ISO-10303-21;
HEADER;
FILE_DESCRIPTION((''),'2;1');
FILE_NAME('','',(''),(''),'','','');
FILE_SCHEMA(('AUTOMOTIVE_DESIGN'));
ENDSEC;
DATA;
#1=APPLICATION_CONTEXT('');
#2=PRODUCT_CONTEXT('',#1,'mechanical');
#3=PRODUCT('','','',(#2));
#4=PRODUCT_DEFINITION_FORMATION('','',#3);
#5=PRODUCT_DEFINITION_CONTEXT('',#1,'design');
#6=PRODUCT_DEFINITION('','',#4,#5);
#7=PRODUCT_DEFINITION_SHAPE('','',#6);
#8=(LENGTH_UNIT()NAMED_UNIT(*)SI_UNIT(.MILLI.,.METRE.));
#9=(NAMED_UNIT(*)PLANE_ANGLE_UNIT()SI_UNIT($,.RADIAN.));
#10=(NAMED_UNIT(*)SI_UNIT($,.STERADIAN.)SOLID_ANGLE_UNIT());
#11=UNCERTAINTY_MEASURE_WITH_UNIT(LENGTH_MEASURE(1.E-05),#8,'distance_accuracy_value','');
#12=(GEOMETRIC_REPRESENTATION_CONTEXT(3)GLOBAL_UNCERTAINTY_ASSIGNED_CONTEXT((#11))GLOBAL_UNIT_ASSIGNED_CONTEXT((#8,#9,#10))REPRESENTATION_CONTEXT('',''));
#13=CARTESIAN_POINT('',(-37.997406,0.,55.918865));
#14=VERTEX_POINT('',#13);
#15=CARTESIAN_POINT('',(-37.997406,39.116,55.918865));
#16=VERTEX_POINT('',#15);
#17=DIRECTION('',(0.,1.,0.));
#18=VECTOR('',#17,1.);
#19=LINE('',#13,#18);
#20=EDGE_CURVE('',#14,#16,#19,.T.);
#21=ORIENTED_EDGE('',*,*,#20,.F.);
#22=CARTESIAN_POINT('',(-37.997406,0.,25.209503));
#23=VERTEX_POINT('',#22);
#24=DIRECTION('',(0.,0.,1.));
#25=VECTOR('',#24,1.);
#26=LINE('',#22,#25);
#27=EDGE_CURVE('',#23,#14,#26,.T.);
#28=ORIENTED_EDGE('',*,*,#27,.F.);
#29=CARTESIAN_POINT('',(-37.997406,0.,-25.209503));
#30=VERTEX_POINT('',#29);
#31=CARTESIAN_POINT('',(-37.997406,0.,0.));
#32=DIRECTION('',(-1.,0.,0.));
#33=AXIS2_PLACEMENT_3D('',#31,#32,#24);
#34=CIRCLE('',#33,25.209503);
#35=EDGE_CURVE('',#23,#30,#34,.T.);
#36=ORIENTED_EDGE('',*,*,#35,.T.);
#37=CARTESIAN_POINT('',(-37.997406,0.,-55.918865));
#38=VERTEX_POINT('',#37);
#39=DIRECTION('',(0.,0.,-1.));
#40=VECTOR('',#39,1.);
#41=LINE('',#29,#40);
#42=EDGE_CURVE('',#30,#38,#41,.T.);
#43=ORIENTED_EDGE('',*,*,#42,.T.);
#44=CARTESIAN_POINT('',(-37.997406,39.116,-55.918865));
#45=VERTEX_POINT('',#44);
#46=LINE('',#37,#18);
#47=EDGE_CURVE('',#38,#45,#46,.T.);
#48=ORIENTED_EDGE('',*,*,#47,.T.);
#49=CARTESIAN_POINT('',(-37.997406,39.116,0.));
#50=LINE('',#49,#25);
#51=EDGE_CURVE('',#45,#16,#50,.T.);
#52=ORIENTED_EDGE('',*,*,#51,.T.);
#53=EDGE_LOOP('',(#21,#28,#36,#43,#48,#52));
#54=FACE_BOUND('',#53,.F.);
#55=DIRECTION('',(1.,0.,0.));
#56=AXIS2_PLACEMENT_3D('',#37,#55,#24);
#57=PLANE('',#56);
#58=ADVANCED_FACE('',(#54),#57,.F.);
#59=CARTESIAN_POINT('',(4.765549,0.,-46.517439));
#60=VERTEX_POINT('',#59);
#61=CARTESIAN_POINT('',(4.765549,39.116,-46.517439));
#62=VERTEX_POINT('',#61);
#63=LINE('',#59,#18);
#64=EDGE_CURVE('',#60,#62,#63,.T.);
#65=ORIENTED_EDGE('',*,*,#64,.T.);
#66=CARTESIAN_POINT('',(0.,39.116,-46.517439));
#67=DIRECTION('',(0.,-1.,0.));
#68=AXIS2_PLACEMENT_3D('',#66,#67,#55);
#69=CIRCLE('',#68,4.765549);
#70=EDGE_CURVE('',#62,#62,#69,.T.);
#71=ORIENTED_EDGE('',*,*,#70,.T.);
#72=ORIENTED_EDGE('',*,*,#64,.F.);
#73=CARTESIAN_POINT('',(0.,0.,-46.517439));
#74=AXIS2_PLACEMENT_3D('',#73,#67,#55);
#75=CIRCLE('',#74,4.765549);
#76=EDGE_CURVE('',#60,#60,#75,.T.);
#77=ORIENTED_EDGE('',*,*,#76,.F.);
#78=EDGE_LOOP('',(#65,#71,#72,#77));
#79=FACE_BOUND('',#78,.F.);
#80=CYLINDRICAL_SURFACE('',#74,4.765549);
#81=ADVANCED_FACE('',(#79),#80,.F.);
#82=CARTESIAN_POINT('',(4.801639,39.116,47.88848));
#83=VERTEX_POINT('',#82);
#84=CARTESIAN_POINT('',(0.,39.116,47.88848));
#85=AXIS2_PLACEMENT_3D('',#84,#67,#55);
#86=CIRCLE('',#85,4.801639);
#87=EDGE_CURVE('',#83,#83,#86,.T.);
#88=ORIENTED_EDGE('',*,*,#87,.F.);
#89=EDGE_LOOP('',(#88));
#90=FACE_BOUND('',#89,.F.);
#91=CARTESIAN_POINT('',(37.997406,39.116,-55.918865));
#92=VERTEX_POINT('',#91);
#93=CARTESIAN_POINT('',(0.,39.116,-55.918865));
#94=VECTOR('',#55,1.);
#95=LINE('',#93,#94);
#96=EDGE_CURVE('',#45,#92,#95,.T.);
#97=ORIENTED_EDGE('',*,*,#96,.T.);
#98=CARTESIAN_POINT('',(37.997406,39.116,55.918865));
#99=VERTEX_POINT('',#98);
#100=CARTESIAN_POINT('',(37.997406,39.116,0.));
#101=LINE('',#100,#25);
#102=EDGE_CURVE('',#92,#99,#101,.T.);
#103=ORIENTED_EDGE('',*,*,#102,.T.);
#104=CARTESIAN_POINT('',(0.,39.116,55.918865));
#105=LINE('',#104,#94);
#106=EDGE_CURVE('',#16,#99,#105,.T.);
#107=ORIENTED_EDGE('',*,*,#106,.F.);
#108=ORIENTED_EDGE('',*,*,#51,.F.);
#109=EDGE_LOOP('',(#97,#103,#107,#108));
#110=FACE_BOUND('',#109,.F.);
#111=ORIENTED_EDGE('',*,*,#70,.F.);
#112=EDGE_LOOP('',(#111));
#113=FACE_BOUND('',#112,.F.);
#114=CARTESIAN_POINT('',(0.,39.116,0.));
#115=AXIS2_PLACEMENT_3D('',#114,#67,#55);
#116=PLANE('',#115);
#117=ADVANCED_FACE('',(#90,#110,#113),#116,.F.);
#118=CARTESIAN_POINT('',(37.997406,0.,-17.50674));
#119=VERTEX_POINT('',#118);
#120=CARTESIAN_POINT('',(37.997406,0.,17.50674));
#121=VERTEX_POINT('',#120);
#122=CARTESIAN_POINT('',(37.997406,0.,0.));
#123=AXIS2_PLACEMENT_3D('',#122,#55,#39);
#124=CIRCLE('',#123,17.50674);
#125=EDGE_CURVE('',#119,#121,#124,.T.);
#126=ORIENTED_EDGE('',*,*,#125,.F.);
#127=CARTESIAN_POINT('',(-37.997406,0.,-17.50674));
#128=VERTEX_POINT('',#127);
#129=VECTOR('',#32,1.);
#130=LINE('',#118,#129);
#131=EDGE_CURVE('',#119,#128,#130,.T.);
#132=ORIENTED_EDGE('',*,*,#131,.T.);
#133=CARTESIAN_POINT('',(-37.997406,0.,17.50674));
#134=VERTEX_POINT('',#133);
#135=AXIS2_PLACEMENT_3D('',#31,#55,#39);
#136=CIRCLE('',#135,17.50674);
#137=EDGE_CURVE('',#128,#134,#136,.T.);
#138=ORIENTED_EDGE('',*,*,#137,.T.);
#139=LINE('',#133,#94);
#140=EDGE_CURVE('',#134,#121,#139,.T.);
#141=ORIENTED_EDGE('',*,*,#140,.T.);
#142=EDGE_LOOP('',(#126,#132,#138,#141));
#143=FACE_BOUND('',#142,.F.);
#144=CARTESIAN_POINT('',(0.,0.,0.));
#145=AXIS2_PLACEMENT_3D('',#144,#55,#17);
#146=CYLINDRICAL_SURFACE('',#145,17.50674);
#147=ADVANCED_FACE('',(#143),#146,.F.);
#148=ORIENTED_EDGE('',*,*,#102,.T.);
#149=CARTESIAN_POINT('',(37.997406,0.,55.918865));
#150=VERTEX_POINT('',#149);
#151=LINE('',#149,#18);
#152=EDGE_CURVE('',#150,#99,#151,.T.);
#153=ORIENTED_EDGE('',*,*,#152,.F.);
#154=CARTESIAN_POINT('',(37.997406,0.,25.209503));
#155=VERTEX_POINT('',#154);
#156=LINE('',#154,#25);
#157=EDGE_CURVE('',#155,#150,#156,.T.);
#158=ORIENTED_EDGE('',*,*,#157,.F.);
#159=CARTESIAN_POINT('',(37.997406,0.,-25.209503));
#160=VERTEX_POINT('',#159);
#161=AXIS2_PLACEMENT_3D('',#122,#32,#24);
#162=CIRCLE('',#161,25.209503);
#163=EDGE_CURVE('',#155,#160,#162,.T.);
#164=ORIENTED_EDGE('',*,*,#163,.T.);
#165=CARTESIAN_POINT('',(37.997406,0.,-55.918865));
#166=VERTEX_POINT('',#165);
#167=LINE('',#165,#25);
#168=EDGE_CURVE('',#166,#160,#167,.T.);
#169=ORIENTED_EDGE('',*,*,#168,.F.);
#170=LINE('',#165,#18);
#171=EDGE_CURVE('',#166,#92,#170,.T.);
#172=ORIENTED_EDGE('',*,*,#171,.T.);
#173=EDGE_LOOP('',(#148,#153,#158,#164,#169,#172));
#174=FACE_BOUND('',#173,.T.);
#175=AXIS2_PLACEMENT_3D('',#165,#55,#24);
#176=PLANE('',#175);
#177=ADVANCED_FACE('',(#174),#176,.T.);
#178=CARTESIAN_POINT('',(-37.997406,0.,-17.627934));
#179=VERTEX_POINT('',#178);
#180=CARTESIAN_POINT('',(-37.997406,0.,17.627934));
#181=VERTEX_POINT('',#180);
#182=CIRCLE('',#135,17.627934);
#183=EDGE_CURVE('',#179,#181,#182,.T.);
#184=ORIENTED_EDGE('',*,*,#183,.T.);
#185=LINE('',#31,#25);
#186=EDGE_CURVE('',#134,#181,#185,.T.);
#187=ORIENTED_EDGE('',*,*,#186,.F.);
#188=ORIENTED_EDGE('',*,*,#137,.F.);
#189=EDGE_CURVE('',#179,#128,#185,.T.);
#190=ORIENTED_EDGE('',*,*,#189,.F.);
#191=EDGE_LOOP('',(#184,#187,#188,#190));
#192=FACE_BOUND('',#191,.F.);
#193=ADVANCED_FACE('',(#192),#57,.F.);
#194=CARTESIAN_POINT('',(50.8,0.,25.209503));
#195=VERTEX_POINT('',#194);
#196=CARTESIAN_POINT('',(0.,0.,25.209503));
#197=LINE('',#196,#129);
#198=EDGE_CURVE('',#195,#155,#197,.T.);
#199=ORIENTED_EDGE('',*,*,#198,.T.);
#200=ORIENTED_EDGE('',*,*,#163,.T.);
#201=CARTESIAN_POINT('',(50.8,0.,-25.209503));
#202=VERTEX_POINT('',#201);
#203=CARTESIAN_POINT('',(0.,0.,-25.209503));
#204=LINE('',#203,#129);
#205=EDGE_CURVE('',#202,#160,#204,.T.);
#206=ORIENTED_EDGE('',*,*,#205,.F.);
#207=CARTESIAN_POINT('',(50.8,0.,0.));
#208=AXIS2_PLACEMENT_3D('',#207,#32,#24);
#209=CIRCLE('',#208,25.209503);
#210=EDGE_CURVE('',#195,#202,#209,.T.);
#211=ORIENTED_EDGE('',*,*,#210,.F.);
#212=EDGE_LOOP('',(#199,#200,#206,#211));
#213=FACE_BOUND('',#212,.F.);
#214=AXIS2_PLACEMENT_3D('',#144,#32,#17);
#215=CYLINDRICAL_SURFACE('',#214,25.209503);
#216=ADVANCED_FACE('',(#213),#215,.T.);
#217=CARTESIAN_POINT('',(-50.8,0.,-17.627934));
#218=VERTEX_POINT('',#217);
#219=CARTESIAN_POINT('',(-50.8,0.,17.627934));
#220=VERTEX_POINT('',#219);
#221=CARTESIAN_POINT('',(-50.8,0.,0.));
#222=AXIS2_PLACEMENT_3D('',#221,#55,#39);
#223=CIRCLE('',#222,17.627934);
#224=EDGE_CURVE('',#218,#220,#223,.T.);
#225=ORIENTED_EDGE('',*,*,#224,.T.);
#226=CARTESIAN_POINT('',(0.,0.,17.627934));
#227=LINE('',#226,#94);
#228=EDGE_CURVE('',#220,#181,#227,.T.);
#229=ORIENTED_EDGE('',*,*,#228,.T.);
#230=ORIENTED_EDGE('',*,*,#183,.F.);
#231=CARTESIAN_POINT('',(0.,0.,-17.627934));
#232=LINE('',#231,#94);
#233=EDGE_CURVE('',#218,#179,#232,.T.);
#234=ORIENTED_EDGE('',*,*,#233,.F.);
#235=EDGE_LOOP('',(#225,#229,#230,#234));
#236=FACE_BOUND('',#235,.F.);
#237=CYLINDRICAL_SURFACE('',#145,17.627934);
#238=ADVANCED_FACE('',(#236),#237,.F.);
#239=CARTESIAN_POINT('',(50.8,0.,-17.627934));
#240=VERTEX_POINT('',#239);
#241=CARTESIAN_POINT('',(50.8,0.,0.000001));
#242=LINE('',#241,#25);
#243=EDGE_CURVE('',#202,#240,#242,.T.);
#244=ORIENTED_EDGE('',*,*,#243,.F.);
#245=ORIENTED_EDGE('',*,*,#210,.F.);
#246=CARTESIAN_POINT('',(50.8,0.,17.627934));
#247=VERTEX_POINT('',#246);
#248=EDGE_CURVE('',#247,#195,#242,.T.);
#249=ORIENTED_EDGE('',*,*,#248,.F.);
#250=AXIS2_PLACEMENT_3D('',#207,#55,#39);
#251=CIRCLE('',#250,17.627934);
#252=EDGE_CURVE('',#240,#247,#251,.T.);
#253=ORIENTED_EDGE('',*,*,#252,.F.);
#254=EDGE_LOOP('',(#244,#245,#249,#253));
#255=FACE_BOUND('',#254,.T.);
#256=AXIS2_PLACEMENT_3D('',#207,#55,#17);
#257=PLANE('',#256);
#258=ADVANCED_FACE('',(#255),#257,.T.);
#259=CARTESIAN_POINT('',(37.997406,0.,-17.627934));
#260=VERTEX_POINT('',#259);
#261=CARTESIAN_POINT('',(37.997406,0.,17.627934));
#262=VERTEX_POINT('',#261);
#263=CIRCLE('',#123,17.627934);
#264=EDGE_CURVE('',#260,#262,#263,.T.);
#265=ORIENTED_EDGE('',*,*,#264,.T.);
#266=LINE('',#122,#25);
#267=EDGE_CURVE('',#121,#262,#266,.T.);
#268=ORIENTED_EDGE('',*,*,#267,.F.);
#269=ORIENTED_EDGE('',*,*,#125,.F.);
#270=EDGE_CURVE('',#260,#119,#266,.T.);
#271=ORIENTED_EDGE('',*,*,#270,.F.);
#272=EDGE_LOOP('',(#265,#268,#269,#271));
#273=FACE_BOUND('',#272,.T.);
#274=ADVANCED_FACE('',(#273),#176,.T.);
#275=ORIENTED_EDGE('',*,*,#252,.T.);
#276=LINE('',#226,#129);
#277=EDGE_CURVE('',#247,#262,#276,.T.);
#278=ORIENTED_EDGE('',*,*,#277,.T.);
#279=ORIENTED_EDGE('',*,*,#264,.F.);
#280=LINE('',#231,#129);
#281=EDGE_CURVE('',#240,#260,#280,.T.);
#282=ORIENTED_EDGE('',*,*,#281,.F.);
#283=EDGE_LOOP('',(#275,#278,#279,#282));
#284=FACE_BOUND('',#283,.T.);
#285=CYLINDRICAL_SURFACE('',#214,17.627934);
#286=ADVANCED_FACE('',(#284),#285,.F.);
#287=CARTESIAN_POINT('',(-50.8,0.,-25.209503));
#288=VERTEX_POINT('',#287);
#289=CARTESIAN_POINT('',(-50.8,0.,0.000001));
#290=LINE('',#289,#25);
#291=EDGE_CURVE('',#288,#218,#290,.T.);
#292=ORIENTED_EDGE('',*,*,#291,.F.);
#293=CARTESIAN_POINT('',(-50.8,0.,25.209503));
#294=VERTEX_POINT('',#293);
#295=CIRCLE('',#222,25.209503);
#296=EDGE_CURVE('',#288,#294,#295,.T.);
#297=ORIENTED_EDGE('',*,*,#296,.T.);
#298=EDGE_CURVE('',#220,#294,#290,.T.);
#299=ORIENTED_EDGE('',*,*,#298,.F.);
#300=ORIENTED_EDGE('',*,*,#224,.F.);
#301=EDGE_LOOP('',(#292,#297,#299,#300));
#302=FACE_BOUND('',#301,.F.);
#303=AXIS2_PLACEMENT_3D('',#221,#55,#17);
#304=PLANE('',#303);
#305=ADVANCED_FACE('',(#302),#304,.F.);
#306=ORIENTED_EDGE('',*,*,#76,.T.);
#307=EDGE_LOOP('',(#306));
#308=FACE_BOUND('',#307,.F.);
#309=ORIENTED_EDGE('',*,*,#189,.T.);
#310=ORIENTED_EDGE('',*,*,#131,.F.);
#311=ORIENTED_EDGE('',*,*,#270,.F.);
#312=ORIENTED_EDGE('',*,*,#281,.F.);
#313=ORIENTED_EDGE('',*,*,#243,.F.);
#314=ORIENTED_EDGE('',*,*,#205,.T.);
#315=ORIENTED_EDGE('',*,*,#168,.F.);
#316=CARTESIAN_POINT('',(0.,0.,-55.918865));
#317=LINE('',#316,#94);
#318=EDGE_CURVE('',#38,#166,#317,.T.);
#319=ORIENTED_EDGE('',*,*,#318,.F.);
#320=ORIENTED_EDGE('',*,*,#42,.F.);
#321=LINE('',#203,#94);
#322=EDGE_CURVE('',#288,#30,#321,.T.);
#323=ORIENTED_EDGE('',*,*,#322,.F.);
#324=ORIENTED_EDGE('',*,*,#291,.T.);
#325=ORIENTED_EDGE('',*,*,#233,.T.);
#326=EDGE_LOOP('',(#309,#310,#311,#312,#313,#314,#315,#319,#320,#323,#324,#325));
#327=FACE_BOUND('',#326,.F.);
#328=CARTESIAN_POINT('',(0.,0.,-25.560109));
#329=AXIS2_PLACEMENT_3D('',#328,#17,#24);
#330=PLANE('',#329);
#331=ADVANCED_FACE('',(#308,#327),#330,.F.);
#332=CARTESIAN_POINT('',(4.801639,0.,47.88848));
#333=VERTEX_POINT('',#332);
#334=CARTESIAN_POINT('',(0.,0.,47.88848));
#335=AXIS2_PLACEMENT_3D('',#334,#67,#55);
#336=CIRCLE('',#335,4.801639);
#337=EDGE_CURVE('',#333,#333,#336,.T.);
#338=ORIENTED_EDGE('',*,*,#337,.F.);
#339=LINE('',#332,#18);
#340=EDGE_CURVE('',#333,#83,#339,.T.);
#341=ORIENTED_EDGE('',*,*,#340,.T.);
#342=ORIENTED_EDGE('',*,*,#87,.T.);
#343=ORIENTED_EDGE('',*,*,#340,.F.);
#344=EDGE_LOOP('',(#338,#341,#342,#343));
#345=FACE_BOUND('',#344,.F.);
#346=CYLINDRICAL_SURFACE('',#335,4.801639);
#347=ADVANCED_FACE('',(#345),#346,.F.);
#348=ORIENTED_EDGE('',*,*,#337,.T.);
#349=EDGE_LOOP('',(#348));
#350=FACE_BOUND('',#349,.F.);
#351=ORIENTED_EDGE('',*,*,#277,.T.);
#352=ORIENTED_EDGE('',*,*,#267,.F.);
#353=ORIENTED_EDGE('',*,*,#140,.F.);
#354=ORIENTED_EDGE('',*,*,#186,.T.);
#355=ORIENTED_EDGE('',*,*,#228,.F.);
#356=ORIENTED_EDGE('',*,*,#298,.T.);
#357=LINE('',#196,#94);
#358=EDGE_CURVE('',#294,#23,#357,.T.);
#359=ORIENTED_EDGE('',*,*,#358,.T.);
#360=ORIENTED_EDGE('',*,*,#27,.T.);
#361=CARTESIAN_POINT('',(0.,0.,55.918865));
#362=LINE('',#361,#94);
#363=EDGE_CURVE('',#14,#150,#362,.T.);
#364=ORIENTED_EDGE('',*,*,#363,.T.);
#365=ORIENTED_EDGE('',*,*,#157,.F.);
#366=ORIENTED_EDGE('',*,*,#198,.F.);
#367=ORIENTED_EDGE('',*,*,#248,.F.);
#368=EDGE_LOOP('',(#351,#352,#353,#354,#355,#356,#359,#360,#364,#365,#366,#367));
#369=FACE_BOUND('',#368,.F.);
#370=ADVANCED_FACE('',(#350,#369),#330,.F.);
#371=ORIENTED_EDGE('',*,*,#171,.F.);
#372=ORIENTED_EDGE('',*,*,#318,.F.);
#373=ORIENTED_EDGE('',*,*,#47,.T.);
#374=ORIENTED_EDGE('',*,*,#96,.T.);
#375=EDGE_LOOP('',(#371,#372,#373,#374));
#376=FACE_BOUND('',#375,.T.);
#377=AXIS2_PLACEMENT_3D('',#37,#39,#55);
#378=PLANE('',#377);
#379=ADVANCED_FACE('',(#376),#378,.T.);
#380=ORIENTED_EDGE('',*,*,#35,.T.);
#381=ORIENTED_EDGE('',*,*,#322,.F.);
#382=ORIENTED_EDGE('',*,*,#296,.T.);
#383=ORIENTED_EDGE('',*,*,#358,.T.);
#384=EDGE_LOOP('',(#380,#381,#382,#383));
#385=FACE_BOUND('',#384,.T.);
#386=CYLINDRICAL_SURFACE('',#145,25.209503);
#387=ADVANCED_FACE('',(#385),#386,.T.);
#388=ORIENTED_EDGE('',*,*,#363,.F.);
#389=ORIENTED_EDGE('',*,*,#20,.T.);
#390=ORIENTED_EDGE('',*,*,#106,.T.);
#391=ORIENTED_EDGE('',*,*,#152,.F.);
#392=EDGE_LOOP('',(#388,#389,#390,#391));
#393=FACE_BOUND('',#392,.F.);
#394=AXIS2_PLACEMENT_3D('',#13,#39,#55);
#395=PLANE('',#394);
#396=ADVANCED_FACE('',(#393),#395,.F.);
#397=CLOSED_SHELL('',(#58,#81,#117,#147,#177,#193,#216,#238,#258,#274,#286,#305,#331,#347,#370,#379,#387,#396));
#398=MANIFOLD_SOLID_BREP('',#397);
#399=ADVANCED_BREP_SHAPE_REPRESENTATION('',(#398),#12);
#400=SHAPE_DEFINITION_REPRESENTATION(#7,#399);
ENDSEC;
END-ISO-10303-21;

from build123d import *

# Parameters (mm, degrees)
F0_W          = 75.9948119521
F0_H          = 111.8377298117
F0_R          = 4.7655494626
F0_R_2        = 4.8016385214
F1_DEPTH      = 39.116
F2_R          = 25.2095031521
F2_R_2        = 17.6279340775
F3_DEPTH      = 50.8
F3_DEPTH_BACK = 50.8
F4_R          = 17.506739517
F5_DEPTH      = 77.978
F5_DEPTH_BACK = 76.962
F6_W          = 38.5849960148
F6_H          = 51.1202197522
F7_DEPTH      = 50.8
F7_DEPTH_BACK = 50.8


with BuildPart() as f1:
    # F0 (on Front) → F1 (new body)
    with BuildSketch(Plane.XZ):
        Rectangle(F0_W, F0_H)
        with Locations((0, -46.5174391866)):
            Circle(F0_R, mode=Mode.SUBTRACT)
        with Locations((0, 47.8884801269)):
            Circle(F0_R_2, mode=Mode.SUBTRACT)
    extrude(amount=-F1_DEPTH)

    # F2 (on Right) → F3 (join, two sides)
    with BuildSketch(Plane.YZ) as f3_sk:
        Circle(F2_R)
        Circle(F2_R_2, mode=Mode.SUBTRACT)
    extrude(amount=F3_DEPTH)
    extrude(f3_sk.sketch, amount=-F3_DEPTH_BACK)

    # F4 (on Right) → F5 (cut, two sides)
    with BuildSketch(Plane.YZ) as f5_sk:
        Circle(F4_R)
    extrude(amount=-F5_DEPTH, mode=Mode.SUBTRACT)
    extrude(f5_sk.sketch, amount=F5_DEPTH_BACK, mode=Mode.SUBTRACT)

    # F6 (on Right) → F7 (cut, two sides)
    with BuildSketch(Plane.YZ) as f7_sk:
        with Locations((-19.2924980074, 9.313e-07)):
            Rectangle(F6_W, F6_H)
    extrude(amount=-F7_DEPTH, mode=Mode.SUBTRACT)
    extrude(f7_sk.sketch, amount=F7_DEPTH_BACK, mode=Mode.SUBTRACT)


solid = f1.part
